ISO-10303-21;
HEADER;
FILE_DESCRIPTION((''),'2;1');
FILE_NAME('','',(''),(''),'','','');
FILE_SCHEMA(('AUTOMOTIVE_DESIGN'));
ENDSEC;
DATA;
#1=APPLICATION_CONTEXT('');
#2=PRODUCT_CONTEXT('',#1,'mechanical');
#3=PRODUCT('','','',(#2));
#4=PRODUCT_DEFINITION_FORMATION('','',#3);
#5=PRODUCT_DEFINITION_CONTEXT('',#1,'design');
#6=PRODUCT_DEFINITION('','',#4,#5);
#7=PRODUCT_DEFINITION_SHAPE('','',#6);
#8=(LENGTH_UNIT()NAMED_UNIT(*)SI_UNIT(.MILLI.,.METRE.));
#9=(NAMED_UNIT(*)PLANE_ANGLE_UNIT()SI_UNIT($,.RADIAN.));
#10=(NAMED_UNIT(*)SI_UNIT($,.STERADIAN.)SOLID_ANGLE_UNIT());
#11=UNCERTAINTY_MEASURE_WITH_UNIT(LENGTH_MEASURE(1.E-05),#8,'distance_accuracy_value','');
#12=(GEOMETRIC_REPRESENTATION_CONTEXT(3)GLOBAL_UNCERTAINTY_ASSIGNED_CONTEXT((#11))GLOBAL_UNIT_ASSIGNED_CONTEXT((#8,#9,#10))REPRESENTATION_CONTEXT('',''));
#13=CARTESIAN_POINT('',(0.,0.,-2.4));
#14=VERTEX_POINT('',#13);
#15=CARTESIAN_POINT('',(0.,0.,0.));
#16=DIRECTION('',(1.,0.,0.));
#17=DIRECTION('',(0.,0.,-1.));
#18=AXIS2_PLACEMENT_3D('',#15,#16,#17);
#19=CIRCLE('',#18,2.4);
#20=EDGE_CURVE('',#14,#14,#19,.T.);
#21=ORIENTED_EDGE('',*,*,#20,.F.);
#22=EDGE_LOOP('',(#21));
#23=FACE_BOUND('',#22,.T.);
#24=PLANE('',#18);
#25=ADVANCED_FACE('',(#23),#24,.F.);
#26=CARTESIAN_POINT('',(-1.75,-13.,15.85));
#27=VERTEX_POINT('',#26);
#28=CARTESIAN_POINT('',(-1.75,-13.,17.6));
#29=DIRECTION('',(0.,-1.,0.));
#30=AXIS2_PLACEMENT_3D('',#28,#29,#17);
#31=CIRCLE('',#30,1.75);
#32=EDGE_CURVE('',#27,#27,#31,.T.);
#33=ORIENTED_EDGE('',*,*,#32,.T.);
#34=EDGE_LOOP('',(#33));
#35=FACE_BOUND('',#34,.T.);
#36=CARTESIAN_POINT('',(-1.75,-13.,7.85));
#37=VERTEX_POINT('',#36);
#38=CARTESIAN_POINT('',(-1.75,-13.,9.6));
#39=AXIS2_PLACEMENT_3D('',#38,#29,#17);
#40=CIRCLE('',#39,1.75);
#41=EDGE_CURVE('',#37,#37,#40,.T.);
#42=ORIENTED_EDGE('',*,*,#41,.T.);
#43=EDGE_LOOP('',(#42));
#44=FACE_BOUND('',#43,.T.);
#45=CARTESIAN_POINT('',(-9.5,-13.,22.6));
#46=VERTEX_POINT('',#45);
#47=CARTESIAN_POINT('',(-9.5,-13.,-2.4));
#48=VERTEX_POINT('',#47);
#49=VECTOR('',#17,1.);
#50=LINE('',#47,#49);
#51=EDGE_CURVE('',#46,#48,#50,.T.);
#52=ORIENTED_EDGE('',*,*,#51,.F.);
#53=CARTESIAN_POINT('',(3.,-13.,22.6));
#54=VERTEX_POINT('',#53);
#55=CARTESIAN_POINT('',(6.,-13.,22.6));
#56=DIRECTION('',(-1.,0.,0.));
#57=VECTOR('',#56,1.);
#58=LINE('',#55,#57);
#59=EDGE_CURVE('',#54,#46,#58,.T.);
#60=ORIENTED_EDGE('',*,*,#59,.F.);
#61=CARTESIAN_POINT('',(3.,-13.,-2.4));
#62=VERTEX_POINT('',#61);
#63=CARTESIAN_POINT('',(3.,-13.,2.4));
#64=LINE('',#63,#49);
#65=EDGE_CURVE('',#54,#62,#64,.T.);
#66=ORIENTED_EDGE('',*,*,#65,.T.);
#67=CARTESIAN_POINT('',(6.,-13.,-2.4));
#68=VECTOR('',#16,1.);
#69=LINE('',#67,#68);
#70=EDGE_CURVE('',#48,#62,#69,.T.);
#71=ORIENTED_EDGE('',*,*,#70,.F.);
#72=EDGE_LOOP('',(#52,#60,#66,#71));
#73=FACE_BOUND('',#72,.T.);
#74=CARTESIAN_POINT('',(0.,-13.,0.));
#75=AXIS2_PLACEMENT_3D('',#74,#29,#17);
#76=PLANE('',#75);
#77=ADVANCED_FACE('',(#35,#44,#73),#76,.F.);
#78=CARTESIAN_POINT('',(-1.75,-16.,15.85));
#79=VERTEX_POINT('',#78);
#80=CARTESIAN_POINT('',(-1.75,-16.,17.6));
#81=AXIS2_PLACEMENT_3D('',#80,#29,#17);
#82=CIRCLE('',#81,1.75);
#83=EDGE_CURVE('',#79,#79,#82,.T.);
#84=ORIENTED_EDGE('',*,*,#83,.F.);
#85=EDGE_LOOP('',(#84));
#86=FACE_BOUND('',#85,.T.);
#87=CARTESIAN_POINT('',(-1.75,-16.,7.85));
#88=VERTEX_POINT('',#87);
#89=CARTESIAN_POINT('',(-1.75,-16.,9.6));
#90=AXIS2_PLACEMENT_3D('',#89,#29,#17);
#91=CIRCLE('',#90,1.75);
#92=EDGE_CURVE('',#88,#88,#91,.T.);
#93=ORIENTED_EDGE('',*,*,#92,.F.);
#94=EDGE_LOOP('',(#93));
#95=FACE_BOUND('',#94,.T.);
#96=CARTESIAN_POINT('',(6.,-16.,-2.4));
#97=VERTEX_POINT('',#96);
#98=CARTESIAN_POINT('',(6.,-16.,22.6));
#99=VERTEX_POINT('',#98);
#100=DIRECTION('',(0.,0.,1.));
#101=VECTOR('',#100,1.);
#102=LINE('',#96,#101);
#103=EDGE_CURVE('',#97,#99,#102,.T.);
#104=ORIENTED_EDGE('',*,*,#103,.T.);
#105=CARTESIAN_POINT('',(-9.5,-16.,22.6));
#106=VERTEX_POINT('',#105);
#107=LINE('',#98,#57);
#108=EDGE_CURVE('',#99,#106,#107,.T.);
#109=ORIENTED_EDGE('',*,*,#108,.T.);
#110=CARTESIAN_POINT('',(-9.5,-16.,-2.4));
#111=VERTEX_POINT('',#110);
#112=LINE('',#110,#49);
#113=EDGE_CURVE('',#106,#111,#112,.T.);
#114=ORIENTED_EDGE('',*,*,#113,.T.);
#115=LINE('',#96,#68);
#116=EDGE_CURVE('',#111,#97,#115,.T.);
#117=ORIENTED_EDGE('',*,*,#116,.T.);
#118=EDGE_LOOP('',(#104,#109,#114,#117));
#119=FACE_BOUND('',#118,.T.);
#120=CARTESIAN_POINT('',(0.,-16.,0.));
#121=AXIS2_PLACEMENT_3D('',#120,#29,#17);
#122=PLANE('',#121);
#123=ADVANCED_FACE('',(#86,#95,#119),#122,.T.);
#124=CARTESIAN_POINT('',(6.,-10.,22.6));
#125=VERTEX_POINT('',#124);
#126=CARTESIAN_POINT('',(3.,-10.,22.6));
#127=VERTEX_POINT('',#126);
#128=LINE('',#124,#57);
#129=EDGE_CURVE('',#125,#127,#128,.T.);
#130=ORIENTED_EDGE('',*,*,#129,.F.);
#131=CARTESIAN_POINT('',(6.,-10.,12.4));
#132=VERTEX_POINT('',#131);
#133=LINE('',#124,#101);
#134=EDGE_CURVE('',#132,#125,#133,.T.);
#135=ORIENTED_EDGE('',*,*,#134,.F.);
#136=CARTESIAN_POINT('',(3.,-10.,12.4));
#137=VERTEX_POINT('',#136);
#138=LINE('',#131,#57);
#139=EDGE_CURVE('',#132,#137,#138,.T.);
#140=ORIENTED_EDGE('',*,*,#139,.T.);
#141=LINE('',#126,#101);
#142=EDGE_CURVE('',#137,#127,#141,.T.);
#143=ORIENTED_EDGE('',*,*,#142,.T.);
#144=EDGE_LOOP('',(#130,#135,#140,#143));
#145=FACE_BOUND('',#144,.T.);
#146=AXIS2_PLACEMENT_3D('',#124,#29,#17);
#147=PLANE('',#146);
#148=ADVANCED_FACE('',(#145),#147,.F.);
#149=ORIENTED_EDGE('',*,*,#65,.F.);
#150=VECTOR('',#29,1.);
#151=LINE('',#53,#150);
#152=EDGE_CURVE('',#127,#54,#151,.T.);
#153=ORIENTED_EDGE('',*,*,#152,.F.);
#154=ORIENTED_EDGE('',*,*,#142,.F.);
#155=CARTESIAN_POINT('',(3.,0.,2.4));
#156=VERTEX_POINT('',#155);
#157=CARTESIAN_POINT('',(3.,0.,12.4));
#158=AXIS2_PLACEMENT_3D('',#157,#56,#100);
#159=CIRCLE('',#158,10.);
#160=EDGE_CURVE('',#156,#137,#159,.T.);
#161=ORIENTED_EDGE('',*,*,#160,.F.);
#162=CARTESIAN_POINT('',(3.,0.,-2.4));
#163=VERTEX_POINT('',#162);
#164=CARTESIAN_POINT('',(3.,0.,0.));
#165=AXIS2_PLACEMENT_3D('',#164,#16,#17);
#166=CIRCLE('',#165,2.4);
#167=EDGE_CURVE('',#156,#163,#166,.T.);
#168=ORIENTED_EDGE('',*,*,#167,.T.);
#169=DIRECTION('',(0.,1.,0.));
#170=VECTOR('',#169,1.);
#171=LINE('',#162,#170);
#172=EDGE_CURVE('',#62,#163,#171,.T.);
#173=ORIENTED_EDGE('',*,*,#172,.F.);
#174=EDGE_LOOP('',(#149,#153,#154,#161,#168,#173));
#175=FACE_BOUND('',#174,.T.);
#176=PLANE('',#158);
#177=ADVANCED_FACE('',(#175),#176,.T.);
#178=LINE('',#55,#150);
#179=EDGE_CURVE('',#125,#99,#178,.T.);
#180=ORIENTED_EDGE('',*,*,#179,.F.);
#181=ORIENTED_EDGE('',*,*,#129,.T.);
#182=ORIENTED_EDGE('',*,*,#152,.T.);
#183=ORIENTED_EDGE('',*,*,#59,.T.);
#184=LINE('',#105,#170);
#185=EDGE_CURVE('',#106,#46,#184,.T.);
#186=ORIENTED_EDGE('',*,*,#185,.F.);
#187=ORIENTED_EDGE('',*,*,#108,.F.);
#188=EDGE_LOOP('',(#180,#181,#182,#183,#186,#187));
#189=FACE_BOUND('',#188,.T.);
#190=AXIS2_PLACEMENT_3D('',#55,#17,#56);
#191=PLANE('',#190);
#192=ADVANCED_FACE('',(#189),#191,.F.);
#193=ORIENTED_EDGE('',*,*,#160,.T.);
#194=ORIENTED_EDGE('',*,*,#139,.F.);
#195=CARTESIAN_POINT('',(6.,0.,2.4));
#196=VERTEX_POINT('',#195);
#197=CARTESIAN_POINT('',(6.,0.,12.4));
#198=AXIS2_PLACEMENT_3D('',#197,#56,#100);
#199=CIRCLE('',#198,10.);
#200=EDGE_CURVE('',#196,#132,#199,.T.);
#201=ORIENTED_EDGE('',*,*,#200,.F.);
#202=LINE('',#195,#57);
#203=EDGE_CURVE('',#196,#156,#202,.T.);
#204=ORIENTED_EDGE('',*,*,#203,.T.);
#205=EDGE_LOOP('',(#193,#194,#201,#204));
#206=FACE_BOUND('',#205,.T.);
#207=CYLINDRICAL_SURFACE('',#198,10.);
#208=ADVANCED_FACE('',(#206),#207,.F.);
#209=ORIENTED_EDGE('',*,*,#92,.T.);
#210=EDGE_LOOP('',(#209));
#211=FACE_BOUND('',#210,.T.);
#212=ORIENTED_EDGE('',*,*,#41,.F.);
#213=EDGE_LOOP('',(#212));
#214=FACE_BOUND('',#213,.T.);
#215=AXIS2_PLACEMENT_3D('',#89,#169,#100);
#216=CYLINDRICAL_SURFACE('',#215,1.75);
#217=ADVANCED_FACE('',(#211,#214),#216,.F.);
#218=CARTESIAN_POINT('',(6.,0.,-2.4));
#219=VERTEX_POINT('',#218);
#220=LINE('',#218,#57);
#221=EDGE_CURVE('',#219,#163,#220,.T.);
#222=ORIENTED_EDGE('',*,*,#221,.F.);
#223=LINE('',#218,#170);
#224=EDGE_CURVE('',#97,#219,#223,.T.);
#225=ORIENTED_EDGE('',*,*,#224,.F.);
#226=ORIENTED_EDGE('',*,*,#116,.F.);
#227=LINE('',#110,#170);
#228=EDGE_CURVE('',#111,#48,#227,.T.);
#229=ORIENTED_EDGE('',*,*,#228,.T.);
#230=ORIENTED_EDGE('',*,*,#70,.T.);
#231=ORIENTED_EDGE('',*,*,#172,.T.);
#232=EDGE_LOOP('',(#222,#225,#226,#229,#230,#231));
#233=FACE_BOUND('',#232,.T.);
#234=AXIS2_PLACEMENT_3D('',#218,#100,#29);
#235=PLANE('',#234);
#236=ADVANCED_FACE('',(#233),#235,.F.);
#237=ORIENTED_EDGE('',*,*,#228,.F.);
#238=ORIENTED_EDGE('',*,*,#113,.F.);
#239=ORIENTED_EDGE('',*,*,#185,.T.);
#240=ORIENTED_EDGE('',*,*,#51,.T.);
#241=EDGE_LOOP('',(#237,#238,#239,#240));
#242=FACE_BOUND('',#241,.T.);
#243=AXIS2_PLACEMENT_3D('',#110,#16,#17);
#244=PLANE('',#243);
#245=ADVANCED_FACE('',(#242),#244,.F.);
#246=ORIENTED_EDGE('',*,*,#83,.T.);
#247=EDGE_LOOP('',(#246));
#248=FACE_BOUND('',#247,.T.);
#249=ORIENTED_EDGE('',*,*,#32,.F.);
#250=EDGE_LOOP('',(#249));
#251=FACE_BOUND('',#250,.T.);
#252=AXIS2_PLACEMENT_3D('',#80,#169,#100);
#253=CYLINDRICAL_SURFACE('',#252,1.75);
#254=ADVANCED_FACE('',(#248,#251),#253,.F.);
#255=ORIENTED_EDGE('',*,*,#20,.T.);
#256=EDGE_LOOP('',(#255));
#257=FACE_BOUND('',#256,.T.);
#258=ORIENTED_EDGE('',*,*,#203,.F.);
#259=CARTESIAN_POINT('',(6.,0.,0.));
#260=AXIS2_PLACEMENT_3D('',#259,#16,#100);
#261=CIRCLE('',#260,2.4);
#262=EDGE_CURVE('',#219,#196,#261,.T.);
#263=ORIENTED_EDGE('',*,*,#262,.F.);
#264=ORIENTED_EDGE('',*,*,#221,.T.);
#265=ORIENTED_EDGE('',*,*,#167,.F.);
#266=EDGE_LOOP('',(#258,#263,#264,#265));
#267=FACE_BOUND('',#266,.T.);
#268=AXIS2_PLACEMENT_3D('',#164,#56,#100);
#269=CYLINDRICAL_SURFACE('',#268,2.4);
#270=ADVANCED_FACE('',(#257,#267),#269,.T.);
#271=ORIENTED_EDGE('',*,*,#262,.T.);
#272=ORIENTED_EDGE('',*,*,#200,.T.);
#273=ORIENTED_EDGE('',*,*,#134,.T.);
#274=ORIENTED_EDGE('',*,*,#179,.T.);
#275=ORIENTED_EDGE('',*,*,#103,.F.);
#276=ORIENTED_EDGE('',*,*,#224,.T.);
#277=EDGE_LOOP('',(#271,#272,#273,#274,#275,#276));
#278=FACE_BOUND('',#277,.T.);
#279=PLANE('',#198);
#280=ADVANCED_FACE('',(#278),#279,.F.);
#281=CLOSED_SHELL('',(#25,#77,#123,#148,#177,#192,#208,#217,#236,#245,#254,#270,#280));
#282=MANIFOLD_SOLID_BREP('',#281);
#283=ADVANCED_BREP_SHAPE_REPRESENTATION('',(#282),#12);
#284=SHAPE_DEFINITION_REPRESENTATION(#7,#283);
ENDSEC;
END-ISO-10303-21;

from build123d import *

# Parameters (mm, degrees)
ESQUISSE1_R        = 2.4
BOSS_EXTRU_1_DEPTH = 3
BOSS_EXTRU_2_DEPTH = 3
ESQUISSE3_W        = 15.5
ESQUISSE3_H        = 25
ESQUISSE3_R        = 1.75
BOSS_EXTRU_3_DEPTH = 3


with BuildPart() as part:
    # Esquisse1 → Boss.-Extru.1 (new body)
    with BuildSketch(Plane(origin=(0, 0, 0), x_dir=(0, 0, -1), z_dir=(1, 0, 0))):
        Circle(ESQUISSE1_R)
    extrude(amount=BOSS_EXTRU_1_DEPTH)

    # Esquisse2 → Boss.-Extru.2 (add)
    with BuildSketch(Plane(origin=(3, 0, 0), x_dir=(0, 0, -1), z_dir=(1, 0, 0))):
        with BuildLine():
            Line((-2.4, -13), (-22.6, -13))
            Line((-22.6, -13), (-22.6, -10))
            Line((-22.6, -10), (-12.4, -10))
            ThreePointArc((-12.4, -10), (-5.328932188, -7.071067812), (-2.4, 0))
            ThreePointArc((-2.4, 0), (0, 2.4), (2.4, 0))
            Line((2.4, 0), (2.4, -13))
            Line((2.4, -13), (-2.4, -13))
        make_face()
    extrude(amount=BOSS_EXTRU_2_DEPTH)

    # Esquisse3 → Boss.-Extru.3 (add)
    with BuildSketch(Plane.XZ.offset(13)):
        with Locations((-1.75, 10.1)):
            Rectangle(ESQUISSE3_W, ESQUISSE3_H)
        with Locations(Location((-1.75, 9.6, 0), (0, 0, 270))):
            Circle(ESQUISSE3_R, mode=Mode.SUBTRACT)
        with Locations(Location((-1.75, 17.6, 0), (0, 0, 270))):
            Circle(ESQUISSE3_R, mode=Mode.SUBTRACT)
    extrude(amount=BOSS_EXTRU_3_DEPTH)


solid = part.part
